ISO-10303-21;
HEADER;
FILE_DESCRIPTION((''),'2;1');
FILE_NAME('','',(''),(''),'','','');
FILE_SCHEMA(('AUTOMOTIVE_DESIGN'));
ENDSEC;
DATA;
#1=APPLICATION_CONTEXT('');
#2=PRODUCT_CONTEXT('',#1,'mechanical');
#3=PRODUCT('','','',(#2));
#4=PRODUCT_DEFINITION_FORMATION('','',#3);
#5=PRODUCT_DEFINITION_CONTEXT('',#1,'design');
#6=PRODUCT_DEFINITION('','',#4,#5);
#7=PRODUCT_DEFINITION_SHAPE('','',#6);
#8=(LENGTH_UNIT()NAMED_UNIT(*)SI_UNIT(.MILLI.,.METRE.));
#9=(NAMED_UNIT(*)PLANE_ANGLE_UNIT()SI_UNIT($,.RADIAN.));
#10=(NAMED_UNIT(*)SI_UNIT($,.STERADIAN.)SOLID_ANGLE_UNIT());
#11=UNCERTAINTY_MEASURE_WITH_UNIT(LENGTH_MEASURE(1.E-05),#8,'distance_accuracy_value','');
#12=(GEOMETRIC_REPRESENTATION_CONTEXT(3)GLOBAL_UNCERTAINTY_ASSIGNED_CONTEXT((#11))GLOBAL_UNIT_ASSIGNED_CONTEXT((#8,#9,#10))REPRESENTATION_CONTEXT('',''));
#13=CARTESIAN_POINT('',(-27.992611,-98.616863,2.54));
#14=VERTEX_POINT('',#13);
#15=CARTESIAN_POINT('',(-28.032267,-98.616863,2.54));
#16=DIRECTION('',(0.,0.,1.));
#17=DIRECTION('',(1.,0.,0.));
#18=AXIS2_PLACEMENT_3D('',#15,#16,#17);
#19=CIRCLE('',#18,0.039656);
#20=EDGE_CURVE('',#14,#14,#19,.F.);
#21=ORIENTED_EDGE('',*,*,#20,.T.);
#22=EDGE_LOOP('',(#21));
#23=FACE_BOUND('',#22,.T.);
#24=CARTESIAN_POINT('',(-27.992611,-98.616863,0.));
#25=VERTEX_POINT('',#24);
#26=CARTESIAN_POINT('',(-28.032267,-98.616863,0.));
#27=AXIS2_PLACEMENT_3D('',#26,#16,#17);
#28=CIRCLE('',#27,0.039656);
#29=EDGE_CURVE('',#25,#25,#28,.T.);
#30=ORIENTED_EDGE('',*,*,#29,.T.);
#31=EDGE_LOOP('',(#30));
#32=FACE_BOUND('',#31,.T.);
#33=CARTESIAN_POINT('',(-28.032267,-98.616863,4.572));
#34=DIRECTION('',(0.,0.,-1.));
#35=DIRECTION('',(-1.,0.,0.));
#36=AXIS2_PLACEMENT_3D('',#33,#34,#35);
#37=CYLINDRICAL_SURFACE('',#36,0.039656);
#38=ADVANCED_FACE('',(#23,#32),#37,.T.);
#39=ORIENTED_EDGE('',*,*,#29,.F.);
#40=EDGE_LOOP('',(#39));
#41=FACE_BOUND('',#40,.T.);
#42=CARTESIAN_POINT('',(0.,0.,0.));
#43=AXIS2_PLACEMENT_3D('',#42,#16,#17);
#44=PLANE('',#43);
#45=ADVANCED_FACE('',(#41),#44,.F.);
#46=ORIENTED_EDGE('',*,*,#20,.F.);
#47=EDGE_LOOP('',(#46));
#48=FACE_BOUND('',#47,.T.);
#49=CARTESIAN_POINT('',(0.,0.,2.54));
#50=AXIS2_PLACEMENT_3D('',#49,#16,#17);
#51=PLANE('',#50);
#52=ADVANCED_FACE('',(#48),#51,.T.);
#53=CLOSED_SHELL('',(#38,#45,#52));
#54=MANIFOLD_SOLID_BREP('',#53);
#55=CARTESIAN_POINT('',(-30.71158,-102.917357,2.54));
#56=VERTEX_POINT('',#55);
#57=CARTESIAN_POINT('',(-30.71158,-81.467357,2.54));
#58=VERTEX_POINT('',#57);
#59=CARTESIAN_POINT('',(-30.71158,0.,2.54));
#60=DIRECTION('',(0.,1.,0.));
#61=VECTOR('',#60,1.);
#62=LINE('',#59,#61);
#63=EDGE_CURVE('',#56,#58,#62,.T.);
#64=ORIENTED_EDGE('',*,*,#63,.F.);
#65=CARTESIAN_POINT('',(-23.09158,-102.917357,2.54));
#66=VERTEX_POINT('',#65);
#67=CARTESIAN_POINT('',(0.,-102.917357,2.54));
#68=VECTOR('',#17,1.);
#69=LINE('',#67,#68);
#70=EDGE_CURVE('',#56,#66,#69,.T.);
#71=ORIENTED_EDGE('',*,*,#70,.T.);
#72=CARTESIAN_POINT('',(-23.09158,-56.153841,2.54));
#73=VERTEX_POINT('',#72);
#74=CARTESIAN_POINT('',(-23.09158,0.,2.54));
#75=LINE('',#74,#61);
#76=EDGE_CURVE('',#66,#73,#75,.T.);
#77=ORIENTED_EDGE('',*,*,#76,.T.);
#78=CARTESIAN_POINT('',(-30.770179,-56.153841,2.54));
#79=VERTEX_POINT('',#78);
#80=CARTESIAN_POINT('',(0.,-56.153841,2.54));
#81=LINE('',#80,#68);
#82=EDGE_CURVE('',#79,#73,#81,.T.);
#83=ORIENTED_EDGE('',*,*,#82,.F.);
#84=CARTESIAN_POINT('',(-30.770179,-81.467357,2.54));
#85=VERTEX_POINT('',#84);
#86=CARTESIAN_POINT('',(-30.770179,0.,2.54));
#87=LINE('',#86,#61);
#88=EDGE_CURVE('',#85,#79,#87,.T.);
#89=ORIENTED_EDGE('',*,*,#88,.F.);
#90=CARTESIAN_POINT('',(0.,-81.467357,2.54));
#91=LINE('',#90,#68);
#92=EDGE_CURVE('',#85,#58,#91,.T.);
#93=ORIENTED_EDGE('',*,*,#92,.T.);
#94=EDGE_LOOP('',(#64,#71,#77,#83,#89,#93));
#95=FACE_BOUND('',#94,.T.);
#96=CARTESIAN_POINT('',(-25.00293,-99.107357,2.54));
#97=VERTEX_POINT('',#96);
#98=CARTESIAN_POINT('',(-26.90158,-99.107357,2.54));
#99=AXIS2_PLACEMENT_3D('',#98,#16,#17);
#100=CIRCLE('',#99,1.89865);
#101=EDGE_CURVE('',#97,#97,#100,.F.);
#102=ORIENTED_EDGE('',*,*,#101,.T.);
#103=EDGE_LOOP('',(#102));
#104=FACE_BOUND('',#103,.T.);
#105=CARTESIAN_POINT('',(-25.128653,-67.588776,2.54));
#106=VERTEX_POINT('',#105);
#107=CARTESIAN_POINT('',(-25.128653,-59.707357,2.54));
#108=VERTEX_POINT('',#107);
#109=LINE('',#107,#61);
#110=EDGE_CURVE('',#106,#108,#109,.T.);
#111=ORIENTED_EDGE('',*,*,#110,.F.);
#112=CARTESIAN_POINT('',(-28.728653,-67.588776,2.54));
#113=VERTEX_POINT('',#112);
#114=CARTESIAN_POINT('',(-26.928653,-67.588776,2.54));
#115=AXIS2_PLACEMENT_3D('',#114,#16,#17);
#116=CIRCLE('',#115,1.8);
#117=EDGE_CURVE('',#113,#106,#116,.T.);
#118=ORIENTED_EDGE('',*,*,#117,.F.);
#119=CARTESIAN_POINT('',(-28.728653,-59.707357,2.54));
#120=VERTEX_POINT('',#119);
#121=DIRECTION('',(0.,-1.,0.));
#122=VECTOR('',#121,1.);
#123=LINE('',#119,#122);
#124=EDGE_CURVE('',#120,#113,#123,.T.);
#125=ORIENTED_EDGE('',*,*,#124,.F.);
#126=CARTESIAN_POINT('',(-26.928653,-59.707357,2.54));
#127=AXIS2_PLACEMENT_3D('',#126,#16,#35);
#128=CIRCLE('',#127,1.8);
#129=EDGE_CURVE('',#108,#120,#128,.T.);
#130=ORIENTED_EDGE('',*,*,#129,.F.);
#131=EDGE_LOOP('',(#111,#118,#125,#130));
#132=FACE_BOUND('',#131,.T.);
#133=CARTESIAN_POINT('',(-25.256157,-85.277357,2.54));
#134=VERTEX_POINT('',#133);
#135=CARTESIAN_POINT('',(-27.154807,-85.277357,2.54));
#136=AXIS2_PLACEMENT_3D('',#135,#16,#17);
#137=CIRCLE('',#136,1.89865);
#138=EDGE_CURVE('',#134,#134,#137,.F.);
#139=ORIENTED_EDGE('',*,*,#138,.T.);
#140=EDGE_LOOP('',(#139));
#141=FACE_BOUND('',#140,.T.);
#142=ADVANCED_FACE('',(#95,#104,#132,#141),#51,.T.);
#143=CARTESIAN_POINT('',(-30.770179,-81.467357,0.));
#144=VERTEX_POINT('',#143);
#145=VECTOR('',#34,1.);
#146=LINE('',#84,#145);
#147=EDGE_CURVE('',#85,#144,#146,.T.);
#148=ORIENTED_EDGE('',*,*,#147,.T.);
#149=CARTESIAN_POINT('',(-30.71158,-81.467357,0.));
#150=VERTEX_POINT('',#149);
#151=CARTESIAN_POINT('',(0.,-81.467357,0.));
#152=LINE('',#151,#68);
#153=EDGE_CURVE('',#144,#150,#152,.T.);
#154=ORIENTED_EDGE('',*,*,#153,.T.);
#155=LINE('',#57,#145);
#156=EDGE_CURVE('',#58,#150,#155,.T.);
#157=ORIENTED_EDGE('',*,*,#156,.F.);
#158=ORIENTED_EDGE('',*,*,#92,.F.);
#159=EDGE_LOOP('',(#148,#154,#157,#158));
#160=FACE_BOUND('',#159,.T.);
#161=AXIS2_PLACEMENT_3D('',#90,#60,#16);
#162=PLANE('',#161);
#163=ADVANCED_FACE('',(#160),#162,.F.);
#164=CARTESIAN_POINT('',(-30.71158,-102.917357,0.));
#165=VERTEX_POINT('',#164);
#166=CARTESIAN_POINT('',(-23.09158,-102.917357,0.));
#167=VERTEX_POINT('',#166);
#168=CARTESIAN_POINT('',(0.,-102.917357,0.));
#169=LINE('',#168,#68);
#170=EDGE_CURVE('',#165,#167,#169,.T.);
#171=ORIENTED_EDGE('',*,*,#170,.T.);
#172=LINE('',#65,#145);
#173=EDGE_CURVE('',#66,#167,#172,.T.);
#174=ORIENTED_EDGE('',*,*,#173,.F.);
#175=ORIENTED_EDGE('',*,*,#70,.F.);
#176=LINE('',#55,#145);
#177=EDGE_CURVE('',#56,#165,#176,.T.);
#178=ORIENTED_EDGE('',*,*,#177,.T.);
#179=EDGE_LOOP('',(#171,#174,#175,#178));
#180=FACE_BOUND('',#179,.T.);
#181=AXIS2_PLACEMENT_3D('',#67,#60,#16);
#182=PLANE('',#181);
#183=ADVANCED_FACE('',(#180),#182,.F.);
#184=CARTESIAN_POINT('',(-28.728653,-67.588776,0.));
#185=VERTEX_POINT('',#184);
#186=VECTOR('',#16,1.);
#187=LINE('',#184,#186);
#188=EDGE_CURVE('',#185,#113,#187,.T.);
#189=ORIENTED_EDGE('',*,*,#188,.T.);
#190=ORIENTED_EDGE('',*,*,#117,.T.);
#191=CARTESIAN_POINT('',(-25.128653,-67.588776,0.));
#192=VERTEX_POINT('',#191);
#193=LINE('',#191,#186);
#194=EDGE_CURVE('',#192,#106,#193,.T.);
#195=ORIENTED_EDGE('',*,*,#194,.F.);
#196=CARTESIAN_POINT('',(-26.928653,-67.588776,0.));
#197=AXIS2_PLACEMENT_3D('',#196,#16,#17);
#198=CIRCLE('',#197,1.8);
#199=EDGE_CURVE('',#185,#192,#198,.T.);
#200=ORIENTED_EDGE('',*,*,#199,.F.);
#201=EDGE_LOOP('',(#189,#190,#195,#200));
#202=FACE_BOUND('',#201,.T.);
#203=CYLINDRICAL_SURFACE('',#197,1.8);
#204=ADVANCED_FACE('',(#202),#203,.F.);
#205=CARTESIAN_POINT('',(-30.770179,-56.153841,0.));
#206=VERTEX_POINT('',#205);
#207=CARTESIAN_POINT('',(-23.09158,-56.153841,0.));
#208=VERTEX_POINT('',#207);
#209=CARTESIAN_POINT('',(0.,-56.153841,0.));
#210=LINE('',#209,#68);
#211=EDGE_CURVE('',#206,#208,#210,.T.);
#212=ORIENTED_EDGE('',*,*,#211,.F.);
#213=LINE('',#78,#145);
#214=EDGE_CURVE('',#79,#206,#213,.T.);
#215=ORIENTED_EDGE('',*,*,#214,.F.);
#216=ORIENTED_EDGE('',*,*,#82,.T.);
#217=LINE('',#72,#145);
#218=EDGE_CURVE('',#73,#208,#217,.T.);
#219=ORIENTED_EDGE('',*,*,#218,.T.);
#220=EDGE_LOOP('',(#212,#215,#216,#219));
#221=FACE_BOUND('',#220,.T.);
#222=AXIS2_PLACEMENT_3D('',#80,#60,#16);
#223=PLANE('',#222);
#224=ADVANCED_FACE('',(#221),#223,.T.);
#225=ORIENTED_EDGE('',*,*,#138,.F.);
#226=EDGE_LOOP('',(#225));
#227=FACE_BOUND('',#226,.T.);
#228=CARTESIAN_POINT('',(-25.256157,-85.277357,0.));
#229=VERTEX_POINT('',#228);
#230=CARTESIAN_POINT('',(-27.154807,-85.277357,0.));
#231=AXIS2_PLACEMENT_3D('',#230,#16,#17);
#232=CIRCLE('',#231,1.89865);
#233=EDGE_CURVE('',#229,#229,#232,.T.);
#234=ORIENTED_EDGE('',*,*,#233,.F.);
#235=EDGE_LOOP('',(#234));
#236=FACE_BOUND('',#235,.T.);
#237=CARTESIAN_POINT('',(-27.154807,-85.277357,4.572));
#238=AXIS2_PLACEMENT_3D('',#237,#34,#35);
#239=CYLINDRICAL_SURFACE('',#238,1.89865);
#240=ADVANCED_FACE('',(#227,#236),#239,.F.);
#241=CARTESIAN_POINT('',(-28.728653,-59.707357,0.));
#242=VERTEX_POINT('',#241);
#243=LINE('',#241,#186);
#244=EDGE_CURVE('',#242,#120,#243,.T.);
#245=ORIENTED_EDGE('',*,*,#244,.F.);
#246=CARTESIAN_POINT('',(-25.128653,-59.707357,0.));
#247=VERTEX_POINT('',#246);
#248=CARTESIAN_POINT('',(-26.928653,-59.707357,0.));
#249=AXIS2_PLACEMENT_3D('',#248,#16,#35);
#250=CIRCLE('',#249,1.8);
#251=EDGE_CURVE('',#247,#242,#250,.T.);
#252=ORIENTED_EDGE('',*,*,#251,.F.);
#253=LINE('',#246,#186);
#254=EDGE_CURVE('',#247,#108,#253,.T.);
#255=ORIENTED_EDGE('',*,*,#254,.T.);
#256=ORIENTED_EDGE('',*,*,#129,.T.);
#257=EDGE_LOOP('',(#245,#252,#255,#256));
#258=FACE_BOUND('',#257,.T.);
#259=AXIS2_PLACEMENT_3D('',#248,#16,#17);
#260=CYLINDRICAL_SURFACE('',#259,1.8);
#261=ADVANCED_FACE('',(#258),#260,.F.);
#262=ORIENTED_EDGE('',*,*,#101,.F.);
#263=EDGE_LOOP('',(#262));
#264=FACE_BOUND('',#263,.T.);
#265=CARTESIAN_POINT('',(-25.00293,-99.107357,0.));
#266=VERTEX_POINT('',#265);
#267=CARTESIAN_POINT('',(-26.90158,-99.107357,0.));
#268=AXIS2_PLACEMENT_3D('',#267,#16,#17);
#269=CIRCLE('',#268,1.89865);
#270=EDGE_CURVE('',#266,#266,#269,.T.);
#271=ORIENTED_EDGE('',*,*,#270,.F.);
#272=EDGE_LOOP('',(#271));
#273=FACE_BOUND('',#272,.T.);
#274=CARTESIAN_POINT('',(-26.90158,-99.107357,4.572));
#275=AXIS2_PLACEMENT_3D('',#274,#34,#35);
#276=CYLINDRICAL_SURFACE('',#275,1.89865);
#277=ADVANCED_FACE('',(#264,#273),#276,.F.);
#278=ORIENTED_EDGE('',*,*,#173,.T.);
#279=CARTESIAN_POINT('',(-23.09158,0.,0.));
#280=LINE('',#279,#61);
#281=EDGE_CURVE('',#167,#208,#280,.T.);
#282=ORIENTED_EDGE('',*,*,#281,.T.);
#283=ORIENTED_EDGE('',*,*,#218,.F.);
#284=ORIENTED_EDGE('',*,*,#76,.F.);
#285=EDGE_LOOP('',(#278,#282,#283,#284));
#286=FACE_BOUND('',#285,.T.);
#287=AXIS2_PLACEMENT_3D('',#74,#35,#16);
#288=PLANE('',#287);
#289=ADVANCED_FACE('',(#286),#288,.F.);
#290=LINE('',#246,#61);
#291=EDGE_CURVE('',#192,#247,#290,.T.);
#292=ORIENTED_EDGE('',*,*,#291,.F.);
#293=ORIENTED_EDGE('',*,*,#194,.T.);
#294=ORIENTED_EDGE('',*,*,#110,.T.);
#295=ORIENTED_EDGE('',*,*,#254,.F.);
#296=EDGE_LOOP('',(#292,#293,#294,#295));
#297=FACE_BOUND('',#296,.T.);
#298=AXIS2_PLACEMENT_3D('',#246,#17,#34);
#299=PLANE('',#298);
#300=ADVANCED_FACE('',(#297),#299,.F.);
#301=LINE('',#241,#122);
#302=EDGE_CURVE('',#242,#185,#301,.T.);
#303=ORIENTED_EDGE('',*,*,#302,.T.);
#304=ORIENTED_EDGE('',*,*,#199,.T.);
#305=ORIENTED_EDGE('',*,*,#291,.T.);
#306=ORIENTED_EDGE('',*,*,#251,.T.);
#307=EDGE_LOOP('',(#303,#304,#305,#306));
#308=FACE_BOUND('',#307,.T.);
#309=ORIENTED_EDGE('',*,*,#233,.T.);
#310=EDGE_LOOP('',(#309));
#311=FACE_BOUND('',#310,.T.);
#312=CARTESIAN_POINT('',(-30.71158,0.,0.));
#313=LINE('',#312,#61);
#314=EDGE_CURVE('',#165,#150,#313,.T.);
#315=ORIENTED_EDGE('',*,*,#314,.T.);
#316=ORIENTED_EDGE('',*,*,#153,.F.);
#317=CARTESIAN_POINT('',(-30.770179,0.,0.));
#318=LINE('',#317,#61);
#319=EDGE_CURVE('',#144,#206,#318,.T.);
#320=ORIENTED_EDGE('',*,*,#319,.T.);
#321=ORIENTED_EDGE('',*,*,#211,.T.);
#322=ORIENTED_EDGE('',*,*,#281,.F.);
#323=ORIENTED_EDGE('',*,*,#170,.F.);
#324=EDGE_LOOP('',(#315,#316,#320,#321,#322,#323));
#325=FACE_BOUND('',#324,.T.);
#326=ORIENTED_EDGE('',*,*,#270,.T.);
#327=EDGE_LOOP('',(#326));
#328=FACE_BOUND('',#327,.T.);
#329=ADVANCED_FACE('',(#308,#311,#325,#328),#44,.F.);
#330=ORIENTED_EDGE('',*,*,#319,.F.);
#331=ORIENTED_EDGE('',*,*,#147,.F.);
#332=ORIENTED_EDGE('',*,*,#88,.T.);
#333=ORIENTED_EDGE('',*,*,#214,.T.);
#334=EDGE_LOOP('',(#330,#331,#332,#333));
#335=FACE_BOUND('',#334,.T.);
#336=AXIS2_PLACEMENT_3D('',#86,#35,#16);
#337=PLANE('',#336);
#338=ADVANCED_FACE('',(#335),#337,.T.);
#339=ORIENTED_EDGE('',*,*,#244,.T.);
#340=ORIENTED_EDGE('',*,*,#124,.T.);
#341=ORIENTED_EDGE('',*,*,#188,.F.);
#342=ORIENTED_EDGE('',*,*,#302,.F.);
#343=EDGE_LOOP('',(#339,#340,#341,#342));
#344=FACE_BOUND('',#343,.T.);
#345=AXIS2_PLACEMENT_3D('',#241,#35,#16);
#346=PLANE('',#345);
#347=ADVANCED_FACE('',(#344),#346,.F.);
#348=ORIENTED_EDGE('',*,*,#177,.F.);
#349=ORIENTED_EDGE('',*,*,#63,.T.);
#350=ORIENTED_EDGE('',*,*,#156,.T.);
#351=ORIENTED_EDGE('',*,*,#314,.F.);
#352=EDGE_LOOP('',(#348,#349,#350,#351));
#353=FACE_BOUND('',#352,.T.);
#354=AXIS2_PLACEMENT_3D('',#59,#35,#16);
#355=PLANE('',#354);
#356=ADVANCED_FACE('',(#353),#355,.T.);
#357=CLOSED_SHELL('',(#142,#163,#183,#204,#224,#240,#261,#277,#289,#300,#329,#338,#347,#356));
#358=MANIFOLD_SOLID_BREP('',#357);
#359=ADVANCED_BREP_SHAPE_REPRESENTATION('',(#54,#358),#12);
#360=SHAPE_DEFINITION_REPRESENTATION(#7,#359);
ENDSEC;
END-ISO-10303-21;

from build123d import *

# Parameters (mm, degrees)
BOSS_EXTRUDE1_DEPTH = 2.54
SKETCH2_R           = 1.89865
SKETCH2_R_2         = 2.356522007
SKETCH2_R_3         = 0.039656004
CUT_EXTRUDE1_DEPTH  = 4.572
CUT_EXTRUDE2_DEPTH  = 2.54


with BuildPart() as part:
    # Sketch3 → Boss-Extrude1 (new body)
    with BuildSketch(Plane.XY):
        Polygon((-30.711579586, -81.467357182), (-30.711579586, -102.917357182), (-23.091579586, -102.917357182), (-23.091579586, -56.153840626), (-30.770178896, -56.153840626), (-30.770178896, -81.467357182), align=None)
    extrude(amount=BOSS_EXTRUDE1_DEPTH)

    # Sketch2 → Cut-Extrude1 (cut)
    with BuildSketch(Plane.XY):
        with Locations((-27.154806567, -85.277357182)):
            Circle(SKETCH2_R)
        Circle(SKETCH2_R_2)
        with Locations((-26.901579586, -99.107357182)):
            Circle(SKETCH2_R)
        with Locations((-28.03226704, -98.616862848)):
            Circle(SKETCH2_R_3, mode=Mode.SUBTRACT)
    extrude(amount=CUT_EXTRUDE1_DEPTH, mode=Mode.SUBTRACT)

    # Sketch4 → Cut-Extrude2 (cut)
    with BuildSketch(Plane.XY.offset(2.54)):
        with BuildLine():
            Line((-28.728652743, -59.707357268), (-28.728652743, -67.588775762))
            ThreePointArc((-28.728652743, -67.588775762), (-26.928652787, -69.388775718), (-25.128652831, -67.588775762))
            Line((-25.128652831, -67.588775762), (-25.128652831, -59.707357268))
            ThreePointArc((-25.128652831, -59.707357268), (-26.928652787, -57.907357312), (-28.728652743, -59.707357268))
        make_face()
    extrude(amount=-CUT_EXTRUDE2_DEPTH, mode=Mode.SUBTRACT)


solid = part.part
